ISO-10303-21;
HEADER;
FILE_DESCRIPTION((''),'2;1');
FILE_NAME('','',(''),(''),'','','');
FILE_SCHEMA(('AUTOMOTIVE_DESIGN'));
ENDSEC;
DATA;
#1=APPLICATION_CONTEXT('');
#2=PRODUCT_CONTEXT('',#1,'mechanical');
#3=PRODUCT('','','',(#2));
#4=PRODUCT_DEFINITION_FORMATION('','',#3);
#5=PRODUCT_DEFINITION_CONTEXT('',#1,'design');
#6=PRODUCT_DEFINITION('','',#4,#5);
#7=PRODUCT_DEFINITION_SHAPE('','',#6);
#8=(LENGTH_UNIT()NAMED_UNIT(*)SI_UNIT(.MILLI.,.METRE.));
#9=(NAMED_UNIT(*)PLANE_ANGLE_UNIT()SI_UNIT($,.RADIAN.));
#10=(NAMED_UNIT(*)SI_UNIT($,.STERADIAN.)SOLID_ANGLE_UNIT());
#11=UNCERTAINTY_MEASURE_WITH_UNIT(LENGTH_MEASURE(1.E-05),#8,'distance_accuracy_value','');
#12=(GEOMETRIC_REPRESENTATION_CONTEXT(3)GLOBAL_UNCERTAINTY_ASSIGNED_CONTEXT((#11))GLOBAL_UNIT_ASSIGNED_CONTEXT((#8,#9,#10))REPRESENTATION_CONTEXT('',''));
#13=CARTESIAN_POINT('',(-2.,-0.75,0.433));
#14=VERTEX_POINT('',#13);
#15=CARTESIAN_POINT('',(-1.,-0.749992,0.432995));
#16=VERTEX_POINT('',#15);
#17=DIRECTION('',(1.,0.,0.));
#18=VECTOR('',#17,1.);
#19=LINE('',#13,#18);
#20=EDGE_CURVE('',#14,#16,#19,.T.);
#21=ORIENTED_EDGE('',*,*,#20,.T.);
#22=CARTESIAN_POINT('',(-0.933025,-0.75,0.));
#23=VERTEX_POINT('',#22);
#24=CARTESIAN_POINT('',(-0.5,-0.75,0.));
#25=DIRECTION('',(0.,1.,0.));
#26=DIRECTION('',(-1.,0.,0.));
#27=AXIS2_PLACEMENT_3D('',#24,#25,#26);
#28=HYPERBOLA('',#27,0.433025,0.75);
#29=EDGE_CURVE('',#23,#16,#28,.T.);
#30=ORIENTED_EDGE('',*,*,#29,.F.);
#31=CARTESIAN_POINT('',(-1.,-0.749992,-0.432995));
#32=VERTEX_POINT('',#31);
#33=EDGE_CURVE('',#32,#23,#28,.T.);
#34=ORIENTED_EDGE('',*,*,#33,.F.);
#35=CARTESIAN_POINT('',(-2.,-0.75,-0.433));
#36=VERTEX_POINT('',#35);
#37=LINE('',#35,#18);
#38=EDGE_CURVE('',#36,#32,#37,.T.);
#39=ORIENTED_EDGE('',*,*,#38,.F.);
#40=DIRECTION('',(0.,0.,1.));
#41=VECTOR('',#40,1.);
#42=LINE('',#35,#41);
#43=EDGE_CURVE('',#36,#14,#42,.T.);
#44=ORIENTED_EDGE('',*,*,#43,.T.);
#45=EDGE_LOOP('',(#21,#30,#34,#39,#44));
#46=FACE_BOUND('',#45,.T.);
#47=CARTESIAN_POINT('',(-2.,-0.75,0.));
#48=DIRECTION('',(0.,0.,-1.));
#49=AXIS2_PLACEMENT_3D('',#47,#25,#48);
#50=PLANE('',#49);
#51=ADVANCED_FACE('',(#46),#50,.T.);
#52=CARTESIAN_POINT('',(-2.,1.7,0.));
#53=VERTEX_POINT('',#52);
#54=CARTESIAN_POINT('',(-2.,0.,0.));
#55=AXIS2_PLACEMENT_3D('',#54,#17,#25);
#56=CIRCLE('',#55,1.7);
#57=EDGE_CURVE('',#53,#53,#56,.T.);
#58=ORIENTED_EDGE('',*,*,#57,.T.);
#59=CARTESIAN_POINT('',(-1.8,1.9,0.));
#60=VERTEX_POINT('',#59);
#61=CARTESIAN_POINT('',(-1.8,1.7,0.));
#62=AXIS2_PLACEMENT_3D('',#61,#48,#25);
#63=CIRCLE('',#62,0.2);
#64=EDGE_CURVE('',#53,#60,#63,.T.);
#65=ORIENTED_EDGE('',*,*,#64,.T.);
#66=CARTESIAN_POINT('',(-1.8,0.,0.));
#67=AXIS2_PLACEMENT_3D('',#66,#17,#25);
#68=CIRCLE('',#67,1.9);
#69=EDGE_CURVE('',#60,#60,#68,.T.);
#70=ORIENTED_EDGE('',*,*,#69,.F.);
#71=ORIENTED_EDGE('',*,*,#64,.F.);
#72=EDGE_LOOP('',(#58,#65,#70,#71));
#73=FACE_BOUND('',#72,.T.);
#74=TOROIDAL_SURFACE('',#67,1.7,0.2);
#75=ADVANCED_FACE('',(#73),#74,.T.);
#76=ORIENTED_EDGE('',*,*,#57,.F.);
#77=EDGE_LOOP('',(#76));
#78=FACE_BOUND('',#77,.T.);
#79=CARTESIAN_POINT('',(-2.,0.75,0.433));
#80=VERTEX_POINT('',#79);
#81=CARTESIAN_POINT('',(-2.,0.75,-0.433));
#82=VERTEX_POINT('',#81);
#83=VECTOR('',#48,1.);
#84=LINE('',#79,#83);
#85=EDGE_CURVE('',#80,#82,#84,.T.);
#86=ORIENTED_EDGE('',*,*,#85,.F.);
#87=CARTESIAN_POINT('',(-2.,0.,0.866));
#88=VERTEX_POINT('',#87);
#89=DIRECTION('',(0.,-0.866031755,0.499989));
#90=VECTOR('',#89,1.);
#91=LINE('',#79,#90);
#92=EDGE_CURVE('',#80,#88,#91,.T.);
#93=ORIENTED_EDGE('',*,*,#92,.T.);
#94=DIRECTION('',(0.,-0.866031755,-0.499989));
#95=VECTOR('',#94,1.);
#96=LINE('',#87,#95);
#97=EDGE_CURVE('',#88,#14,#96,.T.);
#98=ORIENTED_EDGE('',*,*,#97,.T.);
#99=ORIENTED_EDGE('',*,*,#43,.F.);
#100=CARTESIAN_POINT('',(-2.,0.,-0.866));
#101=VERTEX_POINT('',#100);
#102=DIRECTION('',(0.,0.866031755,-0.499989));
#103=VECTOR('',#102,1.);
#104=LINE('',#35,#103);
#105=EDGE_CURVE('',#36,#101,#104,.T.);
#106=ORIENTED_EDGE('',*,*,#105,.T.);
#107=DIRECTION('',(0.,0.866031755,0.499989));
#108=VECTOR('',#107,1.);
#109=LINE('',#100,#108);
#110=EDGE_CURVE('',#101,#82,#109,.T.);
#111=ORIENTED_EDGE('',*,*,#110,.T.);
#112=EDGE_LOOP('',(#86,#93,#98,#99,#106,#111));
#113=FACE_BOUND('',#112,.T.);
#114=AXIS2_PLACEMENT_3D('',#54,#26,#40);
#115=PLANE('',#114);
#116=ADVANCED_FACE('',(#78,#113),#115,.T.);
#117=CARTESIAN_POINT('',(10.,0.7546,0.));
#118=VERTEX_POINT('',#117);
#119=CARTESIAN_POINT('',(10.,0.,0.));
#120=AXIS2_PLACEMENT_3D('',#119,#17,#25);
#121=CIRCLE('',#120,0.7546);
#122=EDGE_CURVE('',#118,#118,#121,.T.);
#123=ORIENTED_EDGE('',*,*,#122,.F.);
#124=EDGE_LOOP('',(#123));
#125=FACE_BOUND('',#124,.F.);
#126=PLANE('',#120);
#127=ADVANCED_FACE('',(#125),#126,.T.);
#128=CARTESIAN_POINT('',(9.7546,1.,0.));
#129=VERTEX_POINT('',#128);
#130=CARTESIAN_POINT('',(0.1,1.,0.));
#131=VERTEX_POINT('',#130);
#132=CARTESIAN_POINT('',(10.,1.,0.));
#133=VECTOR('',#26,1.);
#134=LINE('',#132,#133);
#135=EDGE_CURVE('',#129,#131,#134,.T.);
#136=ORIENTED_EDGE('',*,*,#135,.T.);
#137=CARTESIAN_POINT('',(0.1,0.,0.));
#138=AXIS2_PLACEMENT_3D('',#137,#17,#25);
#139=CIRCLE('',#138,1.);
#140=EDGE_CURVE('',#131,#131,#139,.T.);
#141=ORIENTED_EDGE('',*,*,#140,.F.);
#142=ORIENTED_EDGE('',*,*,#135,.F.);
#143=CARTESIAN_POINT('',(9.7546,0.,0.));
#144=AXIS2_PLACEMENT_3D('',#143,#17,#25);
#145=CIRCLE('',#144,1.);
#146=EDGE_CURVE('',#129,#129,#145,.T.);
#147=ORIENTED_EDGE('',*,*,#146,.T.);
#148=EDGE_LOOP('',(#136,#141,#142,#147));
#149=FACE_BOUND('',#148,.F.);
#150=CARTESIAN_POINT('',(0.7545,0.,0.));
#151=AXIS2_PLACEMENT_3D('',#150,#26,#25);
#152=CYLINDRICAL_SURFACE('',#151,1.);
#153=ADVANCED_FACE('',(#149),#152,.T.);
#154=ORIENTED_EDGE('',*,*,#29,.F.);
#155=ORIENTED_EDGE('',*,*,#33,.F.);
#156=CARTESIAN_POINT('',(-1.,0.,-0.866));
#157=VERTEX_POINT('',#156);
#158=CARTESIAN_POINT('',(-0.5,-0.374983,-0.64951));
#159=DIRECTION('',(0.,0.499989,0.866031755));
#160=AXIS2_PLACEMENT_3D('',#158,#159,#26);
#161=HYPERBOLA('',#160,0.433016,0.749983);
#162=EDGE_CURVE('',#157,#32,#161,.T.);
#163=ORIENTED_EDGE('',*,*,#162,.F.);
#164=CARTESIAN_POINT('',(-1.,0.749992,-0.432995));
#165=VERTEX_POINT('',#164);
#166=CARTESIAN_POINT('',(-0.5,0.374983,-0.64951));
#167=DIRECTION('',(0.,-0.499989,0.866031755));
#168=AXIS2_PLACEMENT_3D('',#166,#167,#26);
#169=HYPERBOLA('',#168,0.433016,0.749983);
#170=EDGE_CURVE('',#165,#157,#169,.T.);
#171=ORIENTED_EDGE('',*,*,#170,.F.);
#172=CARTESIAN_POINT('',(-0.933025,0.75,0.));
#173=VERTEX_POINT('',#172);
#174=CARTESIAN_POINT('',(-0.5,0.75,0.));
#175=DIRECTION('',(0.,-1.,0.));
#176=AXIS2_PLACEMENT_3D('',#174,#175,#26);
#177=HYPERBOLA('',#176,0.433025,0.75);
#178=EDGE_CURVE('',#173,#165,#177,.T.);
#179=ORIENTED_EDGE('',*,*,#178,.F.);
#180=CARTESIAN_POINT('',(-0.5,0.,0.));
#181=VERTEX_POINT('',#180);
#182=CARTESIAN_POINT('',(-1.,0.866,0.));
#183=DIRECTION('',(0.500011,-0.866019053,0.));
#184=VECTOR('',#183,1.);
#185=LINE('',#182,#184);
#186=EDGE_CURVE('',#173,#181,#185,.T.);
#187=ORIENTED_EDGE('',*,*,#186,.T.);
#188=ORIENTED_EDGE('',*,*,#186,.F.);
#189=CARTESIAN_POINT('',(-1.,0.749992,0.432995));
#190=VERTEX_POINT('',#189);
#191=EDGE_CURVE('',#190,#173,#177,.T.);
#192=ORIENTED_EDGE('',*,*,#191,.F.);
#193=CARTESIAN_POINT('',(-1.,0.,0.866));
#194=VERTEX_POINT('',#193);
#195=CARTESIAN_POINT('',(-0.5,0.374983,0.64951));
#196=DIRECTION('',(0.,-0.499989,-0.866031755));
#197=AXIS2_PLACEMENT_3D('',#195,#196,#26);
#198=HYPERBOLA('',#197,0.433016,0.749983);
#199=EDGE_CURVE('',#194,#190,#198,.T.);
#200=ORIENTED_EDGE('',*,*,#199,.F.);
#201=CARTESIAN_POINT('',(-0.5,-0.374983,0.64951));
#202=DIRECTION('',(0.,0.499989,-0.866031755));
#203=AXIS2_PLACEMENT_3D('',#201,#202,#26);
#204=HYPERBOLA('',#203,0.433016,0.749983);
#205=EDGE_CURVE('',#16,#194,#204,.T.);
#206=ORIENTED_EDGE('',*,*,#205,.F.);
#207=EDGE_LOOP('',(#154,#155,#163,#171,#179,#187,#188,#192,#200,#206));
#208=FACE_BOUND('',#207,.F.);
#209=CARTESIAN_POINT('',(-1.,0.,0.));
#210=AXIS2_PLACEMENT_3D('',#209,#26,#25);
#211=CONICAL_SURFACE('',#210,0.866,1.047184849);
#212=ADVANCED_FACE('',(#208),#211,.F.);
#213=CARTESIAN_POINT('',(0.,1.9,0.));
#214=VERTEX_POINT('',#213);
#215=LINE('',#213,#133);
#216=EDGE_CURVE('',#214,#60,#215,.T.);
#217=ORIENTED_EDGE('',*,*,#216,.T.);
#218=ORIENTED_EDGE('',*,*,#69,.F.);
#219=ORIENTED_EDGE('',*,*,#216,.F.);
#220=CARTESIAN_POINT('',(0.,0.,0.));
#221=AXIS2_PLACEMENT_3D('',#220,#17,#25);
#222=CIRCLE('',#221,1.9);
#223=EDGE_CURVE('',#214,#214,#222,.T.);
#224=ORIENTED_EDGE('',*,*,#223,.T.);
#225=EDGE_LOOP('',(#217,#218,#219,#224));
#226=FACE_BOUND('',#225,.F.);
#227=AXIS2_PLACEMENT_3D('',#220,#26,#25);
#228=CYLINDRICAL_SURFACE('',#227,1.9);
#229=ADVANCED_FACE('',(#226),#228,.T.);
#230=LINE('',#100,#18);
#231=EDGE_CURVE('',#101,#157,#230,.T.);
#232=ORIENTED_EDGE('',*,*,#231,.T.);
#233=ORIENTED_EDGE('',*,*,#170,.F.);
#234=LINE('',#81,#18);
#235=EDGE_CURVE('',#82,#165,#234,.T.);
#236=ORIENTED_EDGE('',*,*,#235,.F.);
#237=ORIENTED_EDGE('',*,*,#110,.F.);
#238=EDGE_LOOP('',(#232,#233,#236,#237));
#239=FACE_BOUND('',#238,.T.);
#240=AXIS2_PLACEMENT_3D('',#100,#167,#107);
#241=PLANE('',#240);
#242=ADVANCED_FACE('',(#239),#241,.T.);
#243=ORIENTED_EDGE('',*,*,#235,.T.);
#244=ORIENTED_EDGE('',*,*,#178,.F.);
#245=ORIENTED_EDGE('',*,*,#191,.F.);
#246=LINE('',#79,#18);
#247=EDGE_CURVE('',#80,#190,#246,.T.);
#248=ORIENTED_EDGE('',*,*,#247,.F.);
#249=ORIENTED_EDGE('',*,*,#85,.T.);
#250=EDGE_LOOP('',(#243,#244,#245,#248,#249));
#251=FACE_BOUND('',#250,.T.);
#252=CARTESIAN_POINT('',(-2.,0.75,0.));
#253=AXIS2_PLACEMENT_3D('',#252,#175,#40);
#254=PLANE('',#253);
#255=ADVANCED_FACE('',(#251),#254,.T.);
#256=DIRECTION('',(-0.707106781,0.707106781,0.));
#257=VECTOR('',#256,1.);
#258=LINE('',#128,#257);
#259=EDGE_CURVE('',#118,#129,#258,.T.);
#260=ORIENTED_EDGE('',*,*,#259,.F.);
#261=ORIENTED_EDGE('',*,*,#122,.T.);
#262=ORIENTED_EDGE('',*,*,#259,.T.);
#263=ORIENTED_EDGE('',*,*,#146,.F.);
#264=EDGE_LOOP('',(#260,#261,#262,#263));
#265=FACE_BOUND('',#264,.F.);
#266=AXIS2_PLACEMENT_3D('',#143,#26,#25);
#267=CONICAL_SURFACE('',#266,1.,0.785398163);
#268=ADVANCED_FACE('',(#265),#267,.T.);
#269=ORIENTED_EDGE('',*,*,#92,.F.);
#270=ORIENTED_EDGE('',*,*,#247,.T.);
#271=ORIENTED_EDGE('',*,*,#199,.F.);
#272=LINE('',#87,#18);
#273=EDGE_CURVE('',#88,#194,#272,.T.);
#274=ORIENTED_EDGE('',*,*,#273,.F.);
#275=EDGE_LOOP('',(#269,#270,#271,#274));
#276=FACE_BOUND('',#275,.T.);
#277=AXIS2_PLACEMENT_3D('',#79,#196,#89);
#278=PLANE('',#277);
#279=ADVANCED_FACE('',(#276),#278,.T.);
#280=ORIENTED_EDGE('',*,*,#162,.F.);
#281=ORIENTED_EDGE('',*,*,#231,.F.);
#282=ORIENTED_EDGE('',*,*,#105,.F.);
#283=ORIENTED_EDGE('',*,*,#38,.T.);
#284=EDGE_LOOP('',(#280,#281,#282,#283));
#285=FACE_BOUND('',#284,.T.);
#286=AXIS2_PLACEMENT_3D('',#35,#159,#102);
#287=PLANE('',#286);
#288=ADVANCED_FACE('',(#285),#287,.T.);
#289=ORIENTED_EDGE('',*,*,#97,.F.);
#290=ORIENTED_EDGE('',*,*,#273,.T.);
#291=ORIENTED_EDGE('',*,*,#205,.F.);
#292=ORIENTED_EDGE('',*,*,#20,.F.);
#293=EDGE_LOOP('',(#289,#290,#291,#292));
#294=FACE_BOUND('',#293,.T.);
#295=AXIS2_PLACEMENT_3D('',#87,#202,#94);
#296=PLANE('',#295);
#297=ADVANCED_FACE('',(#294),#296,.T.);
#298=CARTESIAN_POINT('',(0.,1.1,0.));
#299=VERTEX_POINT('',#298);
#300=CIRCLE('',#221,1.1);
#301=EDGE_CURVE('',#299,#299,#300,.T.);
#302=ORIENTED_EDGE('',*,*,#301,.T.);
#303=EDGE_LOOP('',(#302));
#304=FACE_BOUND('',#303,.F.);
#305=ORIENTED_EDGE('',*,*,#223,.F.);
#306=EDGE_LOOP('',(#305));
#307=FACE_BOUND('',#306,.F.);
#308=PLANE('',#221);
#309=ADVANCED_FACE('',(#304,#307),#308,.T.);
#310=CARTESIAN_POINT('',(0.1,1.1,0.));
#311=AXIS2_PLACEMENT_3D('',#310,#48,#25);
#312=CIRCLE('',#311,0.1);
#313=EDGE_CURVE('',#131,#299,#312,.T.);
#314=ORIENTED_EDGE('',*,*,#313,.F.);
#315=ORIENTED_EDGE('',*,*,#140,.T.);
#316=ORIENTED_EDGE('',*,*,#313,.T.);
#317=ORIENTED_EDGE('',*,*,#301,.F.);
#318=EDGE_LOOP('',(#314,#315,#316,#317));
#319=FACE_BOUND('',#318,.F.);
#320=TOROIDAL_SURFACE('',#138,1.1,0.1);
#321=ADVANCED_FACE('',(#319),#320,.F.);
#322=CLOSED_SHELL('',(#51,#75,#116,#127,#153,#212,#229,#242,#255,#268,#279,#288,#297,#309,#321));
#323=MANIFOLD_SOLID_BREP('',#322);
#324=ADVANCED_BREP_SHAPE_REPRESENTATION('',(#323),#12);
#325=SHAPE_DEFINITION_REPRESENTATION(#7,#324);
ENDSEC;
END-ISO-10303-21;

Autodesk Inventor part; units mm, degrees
ref_plane "YZ Plane" through (0, 0, 0) normal (1, 0, 0) x (0, 1, 0)
ref_plane "XZ Plane" through (0, 0, 0) normal (0, 1, 0) x (-1, 0, 0)
sketch "Sketch1" plane through (0, 0, 0) normal (0, 0, 1) x (1, 0, 0)
  line L0 (-0.5, 0) -> (10, 0)
  line L1 (10, 0) -> (10, 1)
  line L2 (10, 1) -> (1, 1)
  line L3 (1, 1) -> (0.7545, 1)
  line L4 (0.7545, 1) -> (0, 1)
  line L5 (0, 1) -> (0, 1.9)
  line L6 (0, 1.9) -> (-2, 1.9)
  line L7 (-2, 1.9) -> (-2, 0.866)
  line L8 (-2, 0.866) -> (-1, 0.866)
  line L9 (-1, 0.866) -> (-0.5, 0)
  line L10 (-4.4, 0) -> (12.4, 0) projected
  line L11 (0, -0.38) -> (0, 2.28) projected
  line L12 (1, 1) -> (0, 1) construction
  dimension "d1" = 9
  dimension "d2" = 0.2455
  dimension "d3" = 2
  dimension "d4" = 1
  dimension "d5" = 60
  dimension "d6" = 2
  dimension "d7" = 2
  dimension "d8" = 1.7321
  dimension "d9" = 3.8
  dimension "d26" = 10
revolve "Body" add sketch "Sketch1" angle 360 about axis through (-0.5, 0, 0) along (1, 0, 0)
sketch "Sketch2" plane through (-2, 0, 0) normal (-1, 0, 0) x (0, 0, 1)
  circle A0 centre (0, 0) radius 0.866 projected
  line L0 (0, -2.66) -> (0, 2.66) projected
  line L1 (-2.66, 0) -> (2.66, 0) projected
  line L2 (0.866, 0) -> (0.433, -0.75)
  line L3 (0.433, -0.75) -> (-0.433, -0.75)
  line L4 (-0.433, -0.75) -> (-0.866, 0)
  line L5 (-0.866, 0) -> (-0.433, 0.75)
  line L6 (-0.433, 0.75) -> (0.433, 0.75)
  line L7 (0.433, 0.75) -> (0.866, 0)
  point P0 (0, 0)
extrude "Slot" add sketch "Sketch2" against normal up to next contours L7 A0 | A0 L2 | L6 L0 A0 | A0 L0 L3 | L0 L6 A0 | A0 L3 L0 | L4 A0 | A0 L5
fillet "Fillet1" radius 0.2 1 edges at (-2, -1.9, 0)
thread "Thread" size "M2x0.4" class "6g" standard "ISO Metric profile" length 9
chamfer "Chamfer1" distance 0.2454 distance2 0.2454 1 edges at (10, -1, 0) measured on face at (10, -0.5392, -0.3309)
ref_plane "Work Plane1" through (29, 0, 0) normal (0, -1, 0) x (1, 0, 0)
fillet "Fillet2" radius 0.1 1 edges at (0, -1, 0)
equation "\"d1\" = GEL"
equation "\"d3\" = KOH"
equation "\"d4\" = INTI"
equation "\"d6\" = GD"
equation "\"d7\" = BDM"
equation "\"d8\" = 1.1547 * SW"
equation "\"d9\" = KOD"
equation "\"d26\" = NLG"
equation "\"d30\" = R"
equation "\"d17\" = RR"
equation "\"d13\" = GEL"
equation "\"d15\" = -0.5 * SPD + 0.5 * GD"
equation "\"d16\" = GUL"
equation "\"GD\" = NND"
equation "\"NLG\" = 10"
equation "\"GEL\" = 9"
equation "\"KOD\" = 3.8"
equation "\"KOH\" = 2"
equation "\"INTI\" = 1"
equation "\"GAL\" = 0.61345 * PTC"
equation "\"GUL\" = 0.61345 * PTC"
equation "\"BDM\" = NND"
equation "\"SW\" = 1.5"
equation "\"RR\" = 0.2"
equation "\"SPD\" = NND - 1.2269 * PTC"
equation "\"R\" = 0.1"
equation "\"TOA\" = 30deg"
equation "\"GD1\" = THREADDIA - 1.2269 * PTC"
equation "\"THREADDIA\" = 2"
equation "\"FAWI\" = 45deg"
equation "\"ANG\" = 120deg"
equation "\"PTC\" = 0.4"
equation "\"NND\" = 2"
equation "\"E0\" = 1.155 * SW"
properties part number "DIN 912 - M2 x 10" material "Steel, Mild"
